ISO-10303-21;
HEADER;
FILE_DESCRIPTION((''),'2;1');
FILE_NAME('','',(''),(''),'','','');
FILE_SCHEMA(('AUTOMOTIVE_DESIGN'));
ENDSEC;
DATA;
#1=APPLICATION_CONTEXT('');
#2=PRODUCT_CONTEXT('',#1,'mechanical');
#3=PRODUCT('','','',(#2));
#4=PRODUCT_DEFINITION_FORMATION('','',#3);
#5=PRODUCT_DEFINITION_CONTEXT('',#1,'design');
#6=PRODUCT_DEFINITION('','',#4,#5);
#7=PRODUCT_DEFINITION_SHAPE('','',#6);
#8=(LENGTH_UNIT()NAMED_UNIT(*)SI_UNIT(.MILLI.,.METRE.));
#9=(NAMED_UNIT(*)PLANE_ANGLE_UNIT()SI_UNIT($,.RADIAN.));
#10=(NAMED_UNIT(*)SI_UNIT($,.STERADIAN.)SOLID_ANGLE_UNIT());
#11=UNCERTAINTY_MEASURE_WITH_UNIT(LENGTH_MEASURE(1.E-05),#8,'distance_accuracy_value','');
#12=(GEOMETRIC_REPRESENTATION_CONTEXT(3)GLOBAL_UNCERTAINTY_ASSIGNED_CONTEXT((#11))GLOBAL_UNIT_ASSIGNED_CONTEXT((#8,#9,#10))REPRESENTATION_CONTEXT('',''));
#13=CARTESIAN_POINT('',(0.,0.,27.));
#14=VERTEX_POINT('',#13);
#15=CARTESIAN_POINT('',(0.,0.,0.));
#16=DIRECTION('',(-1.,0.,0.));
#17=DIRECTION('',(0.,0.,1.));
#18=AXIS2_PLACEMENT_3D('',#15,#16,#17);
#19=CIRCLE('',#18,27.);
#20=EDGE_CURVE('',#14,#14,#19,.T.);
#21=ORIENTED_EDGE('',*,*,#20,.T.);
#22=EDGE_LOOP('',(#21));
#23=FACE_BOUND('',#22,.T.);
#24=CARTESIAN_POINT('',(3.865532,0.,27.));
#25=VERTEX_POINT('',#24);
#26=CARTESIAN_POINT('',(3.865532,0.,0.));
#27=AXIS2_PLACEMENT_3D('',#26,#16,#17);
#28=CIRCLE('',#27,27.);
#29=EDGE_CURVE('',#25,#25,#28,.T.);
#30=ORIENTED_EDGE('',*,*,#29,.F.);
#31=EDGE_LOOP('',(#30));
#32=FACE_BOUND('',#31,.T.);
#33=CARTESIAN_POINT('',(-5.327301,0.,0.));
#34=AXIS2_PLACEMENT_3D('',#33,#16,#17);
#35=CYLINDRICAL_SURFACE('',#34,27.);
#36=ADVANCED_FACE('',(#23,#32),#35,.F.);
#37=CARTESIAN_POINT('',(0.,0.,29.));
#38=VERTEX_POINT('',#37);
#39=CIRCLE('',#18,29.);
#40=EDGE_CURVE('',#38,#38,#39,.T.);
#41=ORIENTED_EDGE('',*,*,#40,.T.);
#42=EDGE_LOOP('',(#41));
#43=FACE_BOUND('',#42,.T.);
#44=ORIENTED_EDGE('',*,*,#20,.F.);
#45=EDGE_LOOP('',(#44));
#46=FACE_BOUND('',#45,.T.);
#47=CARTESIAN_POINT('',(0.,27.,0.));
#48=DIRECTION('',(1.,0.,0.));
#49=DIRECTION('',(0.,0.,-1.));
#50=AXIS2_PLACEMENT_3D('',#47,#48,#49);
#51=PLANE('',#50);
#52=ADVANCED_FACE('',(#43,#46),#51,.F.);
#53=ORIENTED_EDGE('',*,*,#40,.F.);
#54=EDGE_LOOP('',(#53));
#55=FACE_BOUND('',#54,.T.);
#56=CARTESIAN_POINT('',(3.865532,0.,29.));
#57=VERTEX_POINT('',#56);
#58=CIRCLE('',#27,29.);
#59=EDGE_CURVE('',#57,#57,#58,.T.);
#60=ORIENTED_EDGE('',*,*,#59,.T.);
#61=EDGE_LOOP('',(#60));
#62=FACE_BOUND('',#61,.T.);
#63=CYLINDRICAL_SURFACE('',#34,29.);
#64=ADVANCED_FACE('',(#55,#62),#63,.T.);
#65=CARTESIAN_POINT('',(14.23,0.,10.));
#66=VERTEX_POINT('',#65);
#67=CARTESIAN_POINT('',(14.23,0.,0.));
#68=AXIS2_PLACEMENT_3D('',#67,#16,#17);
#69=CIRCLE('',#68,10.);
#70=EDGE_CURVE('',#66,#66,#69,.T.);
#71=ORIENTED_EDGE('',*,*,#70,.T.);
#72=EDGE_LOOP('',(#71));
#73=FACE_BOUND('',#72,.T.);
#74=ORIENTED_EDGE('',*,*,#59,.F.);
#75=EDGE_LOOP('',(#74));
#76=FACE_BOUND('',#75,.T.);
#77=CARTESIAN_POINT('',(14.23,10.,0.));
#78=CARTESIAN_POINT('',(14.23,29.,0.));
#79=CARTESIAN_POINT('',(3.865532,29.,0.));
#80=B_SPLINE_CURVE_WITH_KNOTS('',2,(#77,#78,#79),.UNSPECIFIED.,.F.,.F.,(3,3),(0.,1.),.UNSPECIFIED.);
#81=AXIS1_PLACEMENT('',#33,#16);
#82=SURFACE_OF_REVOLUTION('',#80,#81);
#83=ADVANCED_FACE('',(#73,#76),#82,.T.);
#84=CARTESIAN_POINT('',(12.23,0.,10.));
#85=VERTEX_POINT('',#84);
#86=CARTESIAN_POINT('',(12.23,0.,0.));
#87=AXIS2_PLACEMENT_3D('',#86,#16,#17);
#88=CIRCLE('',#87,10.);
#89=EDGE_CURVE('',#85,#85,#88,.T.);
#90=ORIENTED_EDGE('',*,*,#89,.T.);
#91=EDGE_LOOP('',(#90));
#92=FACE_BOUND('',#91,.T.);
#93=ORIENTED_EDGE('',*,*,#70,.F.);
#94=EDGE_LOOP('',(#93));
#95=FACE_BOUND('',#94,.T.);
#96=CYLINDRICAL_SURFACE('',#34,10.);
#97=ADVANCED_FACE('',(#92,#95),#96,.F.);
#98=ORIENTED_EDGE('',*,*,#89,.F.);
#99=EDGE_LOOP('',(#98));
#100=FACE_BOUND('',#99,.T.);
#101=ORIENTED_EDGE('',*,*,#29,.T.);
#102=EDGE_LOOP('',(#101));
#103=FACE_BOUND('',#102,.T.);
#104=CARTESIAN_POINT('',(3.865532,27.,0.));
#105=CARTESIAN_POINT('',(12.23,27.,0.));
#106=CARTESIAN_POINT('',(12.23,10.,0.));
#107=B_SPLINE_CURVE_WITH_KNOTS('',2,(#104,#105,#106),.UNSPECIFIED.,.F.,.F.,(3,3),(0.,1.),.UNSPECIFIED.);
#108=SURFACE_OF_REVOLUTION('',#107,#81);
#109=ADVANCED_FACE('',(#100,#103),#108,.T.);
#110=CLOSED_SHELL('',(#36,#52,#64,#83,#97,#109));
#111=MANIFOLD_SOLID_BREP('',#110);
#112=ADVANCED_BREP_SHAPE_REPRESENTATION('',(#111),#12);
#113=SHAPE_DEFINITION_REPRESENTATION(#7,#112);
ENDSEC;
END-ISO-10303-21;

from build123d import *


with BuildPart() as part:
    # Sketch1 → Revolve1 (revolve)
    with BuildSketch(Plane.XY, mode=Mode.PRIVATE) as revolve1_sk:
        with BuildLine():
            Line((0, 27), (0, 29))
            Line((0, 29), (3.865532232, 29))
            add(Edge.make_bspline(
                [(3.865532232, 29), (14.23, 29), (14.23, 10)],
                knots=[0, 0, 0, 1, 1, 1], degree=2))
            Line((14.23, 10), (12.23, 10))
            add(Edge.make_bspline(
                [(3.865532232, 27), (12.23, 27), (12.23, 10)],
                knots=[0, 0, 0, 1, 1, 1], degree=2))
            Line((3.865532232, 27), (0, 27))
        make_face()
    revolve(revolve1_sk.sketch.rotate(Axis((-5.327300874, 0, 0), (1, 0, 0)), 90), axis=Axis((-5.327300874, 0, 0), (1, 0, 0)))


solid = part.part
